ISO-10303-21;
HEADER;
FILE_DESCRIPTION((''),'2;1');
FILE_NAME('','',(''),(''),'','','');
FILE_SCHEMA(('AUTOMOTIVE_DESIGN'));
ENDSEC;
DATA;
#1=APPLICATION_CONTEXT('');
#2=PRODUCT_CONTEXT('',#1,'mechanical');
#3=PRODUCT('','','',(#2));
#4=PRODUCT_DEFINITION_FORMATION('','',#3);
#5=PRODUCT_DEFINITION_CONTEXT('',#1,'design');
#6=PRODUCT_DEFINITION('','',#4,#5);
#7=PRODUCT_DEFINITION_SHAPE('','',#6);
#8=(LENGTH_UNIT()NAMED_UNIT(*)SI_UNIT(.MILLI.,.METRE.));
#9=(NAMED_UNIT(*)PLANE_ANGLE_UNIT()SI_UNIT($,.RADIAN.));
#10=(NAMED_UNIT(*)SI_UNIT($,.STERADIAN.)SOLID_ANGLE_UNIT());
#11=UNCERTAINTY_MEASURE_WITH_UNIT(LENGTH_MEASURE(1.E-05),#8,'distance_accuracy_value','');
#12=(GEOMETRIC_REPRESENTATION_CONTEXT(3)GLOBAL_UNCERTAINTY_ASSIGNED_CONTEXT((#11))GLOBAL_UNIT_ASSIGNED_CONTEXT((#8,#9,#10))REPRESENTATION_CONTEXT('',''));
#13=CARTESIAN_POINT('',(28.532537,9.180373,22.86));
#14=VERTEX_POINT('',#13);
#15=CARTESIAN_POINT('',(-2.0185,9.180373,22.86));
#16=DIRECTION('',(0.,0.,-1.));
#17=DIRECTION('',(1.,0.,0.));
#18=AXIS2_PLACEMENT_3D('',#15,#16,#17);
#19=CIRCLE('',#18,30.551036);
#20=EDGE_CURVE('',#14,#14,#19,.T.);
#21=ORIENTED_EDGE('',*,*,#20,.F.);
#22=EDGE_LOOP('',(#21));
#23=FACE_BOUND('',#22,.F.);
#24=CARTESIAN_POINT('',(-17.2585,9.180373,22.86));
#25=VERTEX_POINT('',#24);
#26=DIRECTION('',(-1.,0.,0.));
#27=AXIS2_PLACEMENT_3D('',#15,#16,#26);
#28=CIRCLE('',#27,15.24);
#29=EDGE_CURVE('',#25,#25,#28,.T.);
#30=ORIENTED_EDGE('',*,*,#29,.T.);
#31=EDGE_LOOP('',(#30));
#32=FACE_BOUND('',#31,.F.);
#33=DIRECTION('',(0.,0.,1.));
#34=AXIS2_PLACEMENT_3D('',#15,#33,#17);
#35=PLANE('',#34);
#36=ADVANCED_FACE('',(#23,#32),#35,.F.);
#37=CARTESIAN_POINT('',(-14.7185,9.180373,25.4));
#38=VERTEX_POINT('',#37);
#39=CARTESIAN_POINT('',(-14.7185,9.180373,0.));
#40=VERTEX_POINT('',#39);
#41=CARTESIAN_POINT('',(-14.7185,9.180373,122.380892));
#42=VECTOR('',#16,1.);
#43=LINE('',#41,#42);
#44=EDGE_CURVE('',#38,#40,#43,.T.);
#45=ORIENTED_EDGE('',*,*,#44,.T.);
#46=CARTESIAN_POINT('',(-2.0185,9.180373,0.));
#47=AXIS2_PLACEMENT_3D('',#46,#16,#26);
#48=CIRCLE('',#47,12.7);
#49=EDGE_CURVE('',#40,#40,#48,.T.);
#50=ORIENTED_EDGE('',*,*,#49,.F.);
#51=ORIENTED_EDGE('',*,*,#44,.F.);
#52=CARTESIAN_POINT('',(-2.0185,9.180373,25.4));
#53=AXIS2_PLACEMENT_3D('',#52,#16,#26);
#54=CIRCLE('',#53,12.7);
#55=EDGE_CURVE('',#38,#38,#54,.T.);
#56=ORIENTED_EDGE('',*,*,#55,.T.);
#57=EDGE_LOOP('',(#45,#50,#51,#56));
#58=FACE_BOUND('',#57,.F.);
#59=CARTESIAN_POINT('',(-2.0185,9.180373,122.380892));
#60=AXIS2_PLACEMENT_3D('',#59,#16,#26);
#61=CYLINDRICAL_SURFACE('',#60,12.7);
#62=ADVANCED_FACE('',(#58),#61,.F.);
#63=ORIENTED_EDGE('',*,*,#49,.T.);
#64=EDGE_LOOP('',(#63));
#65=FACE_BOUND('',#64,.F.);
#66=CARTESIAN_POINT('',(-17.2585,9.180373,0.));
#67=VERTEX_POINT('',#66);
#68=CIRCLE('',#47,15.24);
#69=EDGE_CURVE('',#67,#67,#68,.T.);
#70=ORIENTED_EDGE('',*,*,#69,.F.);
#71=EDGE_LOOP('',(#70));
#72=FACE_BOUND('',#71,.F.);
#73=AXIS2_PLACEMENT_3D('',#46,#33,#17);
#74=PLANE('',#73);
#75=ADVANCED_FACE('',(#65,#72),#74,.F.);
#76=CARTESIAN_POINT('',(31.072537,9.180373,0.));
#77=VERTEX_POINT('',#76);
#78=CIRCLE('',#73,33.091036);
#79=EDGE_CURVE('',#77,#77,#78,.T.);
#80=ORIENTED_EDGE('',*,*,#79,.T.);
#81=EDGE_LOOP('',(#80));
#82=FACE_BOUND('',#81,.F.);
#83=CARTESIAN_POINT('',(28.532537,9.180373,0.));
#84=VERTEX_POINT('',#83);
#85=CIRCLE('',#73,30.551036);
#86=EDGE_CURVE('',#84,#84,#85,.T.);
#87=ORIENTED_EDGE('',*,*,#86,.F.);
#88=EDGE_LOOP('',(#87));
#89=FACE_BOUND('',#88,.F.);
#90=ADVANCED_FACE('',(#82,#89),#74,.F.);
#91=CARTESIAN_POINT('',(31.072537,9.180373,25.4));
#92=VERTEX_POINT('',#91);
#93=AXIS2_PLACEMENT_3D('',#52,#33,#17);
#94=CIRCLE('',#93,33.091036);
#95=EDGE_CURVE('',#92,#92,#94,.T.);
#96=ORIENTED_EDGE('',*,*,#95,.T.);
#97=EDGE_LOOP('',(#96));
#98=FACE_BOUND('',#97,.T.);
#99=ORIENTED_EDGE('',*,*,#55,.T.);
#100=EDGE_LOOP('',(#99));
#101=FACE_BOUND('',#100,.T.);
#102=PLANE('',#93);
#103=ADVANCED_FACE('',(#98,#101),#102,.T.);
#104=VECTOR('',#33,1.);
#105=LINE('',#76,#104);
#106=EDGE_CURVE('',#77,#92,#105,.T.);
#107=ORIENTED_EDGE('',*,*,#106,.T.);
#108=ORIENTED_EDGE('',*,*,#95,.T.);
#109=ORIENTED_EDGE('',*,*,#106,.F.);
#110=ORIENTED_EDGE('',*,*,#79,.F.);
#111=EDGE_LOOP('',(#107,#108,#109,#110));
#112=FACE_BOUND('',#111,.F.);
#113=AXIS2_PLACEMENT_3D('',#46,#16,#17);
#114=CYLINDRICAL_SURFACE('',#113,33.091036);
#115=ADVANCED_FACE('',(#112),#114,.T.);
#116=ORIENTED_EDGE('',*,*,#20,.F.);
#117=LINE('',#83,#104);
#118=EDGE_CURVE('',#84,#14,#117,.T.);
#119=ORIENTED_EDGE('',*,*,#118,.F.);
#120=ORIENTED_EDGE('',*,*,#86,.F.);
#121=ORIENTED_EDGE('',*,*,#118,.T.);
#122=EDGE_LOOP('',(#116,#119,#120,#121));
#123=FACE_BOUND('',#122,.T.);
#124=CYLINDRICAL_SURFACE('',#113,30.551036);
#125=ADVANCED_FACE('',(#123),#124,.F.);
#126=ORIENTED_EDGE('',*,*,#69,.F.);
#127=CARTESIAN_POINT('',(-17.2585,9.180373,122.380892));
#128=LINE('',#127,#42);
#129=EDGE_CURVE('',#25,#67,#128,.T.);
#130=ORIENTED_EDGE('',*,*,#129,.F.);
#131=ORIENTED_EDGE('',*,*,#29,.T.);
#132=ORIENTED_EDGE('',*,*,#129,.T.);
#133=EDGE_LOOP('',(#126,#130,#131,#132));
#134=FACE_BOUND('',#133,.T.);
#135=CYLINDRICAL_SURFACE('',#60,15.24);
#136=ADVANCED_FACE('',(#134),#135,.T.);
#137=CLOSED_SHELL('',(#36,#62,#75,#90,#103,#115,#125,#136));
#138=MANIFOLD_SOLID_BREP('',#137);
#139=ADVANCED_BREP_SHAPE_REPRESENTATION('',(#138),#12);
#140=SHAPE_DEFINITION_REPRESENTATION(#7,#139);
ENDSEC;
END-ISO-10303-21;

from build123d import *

# Parameters (mm, degrees)
F0_R     = 33.0910363523
F1_DEPTH = 25.4
F3_D     = 25.4
F4_T     = -2.54


with BuildPart() as f1:
    # F0 (on Top) → F1 (new body)
    with BuildSketch(Plane.XY):
        with Locations((-2.0184996538, 9.1803725809)):
            Circle(F0_R)
    extrude(amount=F1_DEPTH)

    # F3 (through all)
    with Locations(Plane.XY.offset(25.4)):
        with Locations((-2.0184996538, 9.1803725809)):
            Hole(F3_D / 2)

    # F4
    f4_openings = [f1.faces().sort_by_distance(p)[0] for p in [
        (-34.17358, 9.180373, 0),
    ]]
    offset(amount=F4_T, openings=f4_openings)


solid = f1.part
